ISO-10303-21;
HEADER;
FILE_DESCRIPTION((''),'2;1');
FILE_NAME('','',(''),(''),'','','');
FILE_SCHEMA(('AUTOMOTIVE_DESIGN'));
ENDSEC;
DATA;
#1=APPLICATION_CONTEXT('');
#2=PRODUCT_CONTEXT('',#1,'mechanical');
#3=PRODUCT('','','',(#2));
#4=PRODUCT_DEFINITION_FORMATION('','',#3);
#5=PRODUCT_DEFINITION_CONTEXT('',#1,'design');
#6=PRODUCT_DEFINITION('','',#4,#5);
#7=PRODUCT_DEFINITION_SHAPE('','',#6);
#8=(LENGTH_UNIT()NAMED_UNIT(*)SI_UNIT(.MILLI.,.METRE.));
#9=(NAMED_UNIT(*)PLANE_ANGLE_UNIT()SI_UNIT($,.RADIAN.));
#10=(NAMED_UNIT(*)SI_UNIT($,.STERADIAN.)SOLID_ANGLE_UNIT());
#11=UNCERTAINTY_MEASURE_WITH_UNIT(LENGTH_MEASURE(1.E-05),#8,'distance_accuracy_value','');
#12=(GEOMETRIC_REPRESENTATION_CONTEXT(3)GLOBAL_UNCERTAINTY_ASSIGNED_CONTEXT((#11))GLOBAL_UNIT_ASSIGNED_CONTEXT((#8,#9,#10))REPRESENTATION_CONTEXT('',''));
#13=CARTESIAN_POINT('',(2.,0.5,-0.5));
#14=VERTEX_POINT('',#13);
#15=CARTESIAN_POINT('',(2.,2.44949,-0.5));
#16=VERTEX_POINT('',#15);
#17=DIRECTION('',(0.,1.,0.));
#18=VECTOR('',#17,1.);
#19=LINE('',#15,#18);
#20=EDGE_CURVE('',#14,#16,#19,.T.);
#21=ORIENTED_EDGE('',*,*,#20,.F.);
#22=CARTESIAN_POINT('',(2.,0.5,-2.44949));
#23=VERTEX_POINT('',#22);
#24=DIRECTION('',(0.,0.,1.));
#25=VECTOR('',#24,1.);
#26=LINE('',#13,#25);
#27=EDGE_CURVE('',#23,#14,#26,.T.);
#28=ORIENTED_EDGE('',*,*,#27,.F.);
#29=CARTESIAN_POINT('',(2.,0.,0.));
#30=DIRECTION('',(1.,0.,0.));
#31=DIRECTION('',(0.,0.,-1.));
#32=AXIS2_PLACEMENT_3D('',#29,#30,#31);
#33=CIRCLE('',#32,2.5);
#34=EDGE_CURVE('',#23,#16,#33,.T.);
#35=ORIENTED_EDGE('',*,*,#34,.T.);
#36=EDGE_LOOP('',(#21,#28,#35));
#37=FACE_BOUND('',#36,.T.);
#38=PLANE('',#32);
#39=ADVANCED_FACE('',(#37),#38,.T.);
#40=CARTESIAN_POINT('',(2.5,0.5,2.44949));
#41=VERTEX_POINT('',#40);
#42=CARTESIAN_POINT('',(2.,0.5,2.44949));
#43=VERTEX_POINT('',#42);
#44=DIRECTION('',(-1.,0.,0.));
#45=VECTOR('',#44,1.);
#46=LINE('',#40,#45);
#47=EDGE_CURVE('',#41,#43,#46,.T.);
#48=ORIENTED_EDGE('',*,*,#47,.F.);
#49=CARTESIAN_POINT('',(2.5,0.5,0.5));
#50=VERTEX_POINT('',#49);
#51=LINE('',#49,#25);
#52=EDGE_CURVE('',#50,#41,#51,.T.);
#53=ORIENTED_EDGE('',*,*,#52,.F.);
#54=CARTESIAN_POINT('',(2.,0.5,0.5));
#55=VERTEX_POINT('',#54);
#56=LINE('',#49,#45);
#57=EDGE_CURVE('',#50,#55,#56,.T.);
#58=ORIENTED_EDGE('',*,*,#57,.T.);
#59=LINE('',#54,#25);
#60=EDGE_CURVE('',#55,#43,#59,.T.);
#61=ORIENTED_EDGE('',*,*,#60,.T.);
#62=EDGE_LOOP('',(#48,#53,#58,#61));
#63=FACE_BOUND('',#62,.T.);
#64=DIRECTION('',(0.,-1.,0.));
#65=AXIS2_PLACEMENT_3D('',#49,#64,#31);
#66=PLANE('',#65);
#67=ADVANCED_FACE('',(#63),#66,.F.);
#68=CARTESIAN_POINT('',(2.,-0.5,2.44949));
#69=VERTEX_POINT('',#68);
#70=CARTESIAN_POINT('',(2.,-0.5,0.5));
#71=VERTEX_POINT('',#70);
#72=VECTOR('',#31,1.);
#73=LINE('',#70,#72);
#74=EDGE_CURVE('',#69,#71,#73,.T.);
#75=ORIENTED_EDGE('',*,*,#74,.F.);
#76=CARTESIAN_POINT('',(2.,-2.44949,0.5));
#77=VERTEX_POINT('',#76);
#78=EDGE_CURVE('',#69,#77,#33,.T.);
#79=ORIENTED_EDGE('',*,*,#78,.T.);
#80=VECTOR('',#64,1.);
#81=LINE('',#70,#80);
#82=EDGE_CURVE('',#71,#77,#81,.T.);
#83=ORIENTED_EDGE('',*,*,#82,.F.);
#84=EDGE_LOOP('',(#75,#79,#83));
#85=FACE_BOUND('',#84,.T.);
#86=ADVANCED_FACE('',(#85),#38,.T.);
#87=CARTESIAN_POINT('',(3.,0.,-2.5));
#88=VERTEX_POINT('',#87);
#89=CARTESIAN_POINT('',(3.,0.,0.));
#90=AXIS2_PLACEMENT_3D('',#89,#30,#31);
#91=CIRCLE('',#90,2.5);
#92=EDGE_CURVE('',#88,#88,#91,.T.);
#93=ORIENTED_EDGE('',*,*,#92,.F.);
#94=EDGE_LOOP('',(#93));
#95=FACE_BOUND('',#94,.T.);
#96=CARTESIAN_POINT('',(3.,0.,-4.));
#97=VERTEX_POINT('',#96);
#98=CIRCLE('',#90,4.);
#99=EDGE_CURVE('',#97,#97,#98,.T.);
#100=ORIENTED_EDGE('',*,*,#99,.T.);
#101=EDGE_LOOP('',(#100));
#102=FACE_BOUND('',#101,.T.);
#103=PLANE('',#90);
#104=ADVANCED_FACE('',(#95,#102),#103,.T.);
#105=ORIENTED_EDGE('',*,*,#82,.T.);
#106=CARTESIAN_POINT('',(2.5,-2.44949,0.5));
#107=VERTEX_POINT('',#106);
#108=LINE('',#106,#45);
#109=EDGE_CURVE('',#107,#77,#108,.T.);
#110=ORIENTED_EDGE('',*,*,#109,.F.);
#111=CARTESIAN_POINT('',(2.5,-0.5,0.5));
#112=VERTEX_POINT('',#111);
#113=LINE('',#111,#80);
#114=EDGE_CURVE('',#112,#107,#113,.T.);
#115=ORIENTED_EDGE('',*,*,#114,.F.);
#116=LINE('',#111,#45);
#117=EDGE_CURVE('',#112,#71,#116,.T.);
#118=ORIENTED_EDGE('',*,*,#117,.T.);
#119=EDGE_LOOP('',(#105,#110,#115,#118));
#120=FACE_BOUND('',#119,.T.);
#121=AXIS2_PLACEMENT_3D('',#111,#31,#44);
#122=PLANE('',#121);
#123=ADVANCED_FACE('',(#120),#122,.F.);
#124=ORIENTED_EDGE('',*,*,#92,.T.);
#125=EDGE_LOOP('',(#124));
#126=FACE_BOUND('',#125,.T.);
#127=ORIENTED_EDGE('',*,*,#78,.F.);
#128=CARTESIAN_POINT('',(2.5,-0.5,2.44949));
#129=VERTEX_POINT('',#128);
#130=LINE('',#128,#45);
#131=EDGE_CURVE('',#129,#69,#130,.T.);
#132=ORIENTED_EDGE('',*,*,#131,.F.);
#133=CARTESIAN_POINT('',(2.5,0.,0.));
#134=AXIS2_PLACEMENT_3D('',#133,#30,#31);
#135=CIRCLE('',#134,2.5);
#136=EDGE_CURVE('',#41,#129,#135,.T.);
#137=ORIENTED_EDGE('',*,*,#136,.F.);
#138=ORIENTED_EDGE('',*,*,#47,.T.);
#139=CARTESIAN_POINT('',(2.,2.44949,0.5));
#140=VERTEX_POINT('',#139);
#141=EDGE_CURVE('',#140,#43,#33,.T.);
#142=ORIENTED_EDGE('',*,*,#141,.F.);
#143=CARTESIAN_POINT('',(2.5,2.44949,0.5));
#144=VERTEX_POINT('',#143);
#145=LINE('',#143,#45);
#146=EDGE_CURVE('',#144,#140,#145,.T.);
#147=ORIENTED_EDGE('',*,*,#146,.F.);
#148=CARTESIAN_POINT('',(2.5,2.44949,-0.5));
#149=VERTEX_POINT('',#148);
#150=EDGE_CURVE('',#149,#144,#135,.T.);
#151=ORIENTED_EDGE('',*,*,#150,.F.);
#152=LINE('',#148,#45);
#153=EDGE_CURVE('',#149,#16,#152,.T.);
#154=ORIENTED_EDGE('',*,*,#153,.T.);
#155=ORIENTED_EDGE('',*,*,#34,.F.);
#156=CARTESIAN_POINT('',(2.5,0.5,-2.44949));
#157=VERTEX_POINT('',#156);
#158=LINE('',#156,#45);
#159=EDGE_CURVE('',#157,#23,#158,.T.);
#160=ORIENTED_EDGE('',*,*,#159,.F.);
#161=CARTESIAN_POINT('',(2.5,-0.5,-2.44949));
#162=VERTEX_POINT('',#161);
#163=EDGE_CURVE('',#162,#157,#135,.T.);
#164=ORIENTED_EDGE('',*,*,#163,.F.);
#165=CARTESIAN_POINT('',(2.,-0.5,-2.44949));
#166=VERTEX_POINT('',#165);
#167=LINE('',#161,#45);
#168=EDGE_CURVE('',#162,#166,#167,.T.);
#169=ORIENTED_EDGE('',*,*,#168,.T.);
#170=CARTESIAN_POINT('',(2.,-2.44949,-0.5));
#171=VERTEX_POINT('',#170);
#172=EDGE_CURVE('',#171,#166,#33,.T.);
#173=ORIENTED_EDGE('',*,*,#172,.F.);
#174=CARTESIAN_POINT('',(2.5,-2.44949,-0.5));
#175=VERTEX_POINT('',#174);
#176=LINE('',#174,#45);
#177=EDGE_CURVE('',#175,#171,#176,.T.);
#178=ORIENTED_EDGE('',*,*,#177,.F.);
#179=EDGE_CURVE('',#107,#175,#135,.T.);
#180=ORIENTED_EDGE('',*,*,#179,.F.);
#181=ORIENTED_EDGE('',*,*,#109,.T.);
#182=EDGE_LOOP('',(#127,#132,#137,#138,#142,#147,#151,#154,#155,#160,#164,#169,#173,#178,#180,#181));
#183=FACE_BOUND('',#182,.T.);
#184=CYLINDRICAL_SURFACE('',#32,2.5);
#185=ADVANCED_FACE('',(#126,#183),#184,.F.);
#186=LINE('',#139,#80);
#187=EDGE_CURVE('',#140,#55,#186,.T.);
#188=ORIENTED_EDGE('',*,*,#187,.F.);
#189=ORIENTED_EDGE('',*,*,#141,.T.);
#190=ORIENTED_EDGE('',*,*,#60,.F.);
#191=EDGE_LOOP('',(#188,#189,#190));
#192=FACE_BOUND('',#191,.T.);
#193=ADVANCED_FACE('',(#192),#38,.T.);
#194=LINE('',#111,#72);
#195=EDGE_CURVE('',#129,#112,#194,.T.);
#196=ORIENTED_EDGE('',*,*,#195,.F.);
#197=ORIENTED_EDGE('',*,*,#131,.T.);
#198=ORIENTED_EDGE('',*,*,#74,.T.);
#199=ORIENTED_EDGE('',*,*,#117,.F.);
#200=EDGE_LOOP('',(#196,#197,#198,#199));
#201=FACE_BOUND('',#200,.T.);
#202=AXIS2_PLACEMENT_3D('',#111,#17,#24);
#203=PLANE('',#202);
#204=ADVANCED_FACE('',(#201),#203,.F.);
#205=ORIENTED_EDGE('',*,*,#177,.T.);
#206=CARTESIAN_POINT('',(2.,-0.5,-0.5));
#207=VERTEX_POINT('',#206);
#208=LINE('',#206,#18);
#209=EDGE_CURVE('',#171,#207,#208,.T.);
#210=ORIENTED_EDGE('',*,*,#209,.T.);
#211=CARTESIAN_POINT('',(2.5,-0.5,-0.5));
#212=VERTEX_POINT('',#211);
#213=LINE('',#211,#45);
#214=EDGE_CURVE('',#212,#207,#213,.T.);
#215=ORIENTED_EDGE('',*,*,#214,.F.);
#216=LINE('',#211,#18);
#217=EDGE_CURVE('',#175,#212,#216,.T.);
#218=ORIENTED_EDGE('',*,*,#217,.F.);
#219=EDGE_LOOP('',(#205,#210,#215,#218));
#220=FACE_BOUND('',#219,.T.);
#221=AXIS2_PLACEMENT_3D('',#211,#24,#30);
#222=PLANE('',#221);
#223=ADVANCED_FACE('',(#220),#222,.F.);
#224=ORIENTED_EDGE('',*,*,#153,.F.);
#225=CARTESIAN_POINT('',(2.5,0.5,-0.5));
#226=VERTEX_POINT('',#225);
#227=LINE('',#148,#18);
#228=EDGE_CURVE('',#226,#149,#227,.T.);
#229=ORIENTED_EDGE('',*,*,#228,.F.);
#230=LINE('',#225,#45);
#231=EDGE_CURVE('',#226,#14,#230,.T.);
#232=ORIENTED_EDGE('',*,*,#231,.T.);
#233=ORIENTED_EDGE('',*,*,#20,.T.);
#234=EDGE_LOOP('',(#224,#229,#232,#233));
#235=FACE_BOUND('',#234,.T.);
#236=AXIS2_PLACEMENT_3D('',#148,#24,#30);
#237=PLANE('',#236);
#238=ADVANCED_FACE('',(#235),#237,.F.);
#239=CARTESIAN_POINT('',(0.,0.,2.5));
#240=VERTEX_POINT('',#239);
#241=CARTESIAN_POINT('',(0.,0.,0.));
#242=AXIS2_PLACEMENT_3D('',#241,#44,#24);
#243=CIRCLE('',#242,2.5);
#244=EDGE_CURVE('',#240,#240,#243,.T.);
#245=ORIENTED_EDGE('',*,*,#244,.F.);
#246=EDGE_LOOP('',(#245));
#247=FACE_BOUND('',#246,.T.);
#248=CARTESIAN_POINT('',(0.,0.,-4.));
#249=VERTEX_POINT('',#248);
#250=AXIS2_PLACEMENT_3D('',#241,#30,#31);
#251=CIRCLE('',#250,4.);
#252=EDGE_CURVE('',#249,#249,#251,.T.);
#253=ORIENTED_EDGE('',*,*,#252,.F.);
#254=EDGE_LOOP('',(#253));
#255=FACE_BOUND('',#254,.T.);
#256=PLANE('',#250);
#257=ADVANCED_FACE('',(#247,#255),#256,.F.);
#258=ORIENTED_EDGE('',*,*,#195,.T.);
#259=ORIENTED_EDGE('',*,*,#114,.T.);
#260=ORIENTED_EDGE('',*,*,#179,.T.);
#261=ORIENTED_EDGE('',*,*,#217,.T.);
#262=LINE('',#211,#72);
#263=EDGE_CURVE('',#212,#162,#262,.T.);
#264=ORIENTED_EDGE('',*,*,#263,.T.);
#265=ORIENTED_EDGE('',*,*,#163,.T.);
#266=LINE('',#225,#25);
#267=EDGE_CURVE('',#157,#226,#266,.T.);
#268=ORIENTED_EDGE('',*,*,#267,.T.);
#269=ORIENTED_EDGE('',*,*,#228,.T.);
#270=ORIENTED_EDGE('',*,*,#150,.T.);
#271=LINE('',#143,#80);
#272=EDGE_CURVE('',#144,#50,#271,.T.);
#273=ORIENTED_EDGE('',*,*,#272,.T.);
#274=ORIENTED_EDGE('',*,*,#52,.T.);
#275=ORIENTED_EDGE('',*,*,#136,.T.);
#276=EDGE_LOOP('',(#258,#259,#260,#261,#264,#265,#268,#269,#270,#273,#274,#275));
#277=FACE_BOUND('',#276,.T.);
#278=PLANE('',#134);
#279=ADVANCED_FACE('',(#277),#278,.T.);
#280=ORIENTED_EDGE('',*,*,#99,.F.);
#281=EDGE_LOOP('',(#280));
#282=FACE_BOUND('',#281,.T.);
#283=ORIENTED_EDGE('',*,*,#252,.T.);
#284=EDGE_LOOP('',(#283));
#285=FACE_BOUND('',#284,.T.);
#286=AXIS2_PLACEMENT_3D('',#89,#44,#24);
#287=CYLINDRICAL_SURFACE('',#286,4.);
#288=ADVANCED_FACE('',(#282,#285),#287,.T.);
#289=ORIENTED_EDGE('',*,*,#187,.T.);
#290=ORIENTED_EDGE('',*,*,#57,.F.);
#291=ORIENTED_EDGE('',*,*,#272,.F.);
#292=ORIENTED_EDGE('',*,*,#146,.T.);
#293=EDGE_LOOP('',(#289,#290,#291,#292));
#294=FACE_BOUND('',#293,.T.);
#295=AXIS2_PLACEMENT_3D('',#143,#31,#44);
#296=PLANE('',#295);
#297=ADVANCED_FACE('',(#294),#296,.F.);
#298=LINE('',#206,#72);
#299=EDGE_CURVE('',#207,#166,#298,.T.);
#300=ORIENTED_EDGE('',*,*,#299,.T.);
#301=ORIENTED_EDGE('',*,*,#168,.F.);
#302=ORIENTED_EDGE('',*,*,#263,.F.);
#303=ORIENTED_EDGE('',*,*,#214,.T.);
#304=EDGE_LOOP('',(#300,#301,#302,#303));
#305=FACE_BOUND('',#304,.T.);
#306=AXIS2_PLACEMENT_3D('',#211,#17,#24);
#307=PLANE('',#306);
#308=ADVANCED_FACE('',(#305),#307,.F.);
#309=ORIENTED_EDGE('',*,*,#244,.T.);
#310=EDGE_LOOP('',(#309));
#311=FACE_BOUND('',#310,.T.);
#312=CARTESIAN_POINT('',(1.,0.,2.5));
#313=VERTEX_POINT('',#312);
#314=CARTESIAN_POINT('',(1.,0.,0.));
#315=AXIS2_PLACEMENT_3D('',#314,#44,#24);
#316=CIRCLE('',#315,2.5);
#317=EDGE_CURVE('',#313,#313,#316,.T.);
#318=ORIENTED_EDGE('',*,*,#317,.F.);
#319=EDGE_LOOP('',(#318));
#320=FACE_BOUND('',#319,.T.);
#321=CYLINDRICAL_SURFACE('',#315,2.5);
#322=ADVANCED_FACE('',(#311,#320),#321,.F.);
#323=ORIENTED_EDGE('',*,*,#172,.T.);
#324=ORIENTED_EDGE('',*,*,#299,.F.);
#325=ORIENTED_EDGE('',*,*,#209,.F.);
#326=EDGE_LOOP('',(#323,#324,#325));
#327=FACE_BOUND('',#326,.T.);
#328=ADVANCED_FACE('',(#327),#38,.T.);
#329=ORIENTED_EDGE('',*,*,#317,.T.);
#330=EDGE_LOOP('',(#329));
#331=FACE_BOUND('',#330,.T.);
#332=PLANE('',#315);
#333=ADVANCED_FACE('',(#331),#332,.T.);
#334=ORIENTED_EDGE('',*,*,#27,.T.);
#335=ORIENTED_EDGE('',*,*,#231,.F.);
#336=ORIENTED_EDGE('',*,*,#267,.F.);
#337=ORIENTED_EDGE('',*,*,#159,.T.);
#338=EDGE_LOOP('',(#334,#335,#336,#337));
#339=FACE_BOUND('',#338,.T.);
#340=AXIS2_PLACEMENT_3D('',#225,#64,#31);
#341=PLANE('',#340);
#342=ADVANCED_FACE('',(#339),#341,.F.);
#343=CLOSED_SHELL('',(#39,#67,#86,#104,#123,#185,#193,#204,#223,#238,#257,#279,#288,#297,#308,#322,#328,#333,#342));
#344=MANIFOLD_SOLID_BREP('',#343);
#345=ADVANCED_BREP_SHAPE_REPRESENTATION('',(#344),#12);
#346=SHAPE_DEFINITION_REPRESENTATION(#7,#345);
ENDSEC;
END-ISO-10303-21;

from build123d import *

# Parameters (mm, degrees)
SKETCH_1_R          = 4
EXTRUDE_1_DEPTH     = 3
SKETCH_2_R          = 2.5
CUT_EXTRUDE_1_DEPTH = 1
CUT_EXTRUDE_START   = -1
SKETCH_3_R          = 2.5
CUT_EXTRUDE_2_DEPTH = 1
EXTRUDE_START       = 0.5
EXTRUDE_2_DEPTH     = 0.5


with BuildPart() as part:
    # 草图1 → 凸台-拉伸1 (new body)
    with BuildSketch(Plane(origin=(0, 0, 0), x_dir=(0, 0, -1), z_dir=(1, 0, 0))):
        Circle(SKETCH_1_R)
    extrude(amount=EXTRUDE_1_DEPTH)

    # 草图2 → 切除-拉伸1 (cut)
    with BuildSketch(Plane(origin=(3, 0, 0), x_dir=(0, 0, -1), z_dir=(1, 0, 0))):
        Circle(SKETCH_2_R)
    extrude(amount=-CUT_EXTRUDE_1_DEPTH, mode=Mode.SUBTRACT)

    # 草图3 → 切除-拉伸2 (cut)
    with BuildSketch(Plane.ZY.offset(CUT_EXTRUDE_START)):
        with Locations(Location((0, 0, 0), (0, 0, 180))):
            Circle(SKETCH_3_R)
    extrude(amount=CUT_EXTRUDE_2_DEPTH, mode=Mode.SUBTRACT)

    # 草图4 → 凸台-拉伸2 (add)
    with BuildSketch(Plane(origin=(2, 0, 0), x_dir=(0, 0, -1), z_dir=(1, 0, 0)).offset(EXTRUDE_START)):
        with BuildLine():
            Line((-0.5, -0.5), (-0.5, -2.449489743))
            ThreePointArc((-0.5, -2.449489743), (0, -2.5), (0.5, -2.449489743))
            Line((0.5, -2.449489743), (0.5, -0.5))
            Line((0.5, -0.5), (2.449489743, -0.5))
            ThreePointArc((2.449489743, -0.5), (2.5, 0), (2.449489743, 0.5))
            Line((2.449489743, 0.5), (0.5, 0.5))
            Line((0.5, 0.5), (0.5, 2.449489743))
            ThreePointArc((0.5, 2.449489743), (0, 2.5), (-0.5, 2.449489743))
            Line((-0.5, 2.449489743), (-0.5, 0.5))
            Line((-0.5, 0.5), (-2.449489743, 0.5))
            ThreePointArc((-2.449489743, 0.5), (-2.5, 0), (-2.449489743, -0.5))
            Line((-2.449489743, -0.5), (-0.5, -0.5))
        make_face()
    extrude(amount=-EXTRUDE_2_DEPTH)


solid = part.part
